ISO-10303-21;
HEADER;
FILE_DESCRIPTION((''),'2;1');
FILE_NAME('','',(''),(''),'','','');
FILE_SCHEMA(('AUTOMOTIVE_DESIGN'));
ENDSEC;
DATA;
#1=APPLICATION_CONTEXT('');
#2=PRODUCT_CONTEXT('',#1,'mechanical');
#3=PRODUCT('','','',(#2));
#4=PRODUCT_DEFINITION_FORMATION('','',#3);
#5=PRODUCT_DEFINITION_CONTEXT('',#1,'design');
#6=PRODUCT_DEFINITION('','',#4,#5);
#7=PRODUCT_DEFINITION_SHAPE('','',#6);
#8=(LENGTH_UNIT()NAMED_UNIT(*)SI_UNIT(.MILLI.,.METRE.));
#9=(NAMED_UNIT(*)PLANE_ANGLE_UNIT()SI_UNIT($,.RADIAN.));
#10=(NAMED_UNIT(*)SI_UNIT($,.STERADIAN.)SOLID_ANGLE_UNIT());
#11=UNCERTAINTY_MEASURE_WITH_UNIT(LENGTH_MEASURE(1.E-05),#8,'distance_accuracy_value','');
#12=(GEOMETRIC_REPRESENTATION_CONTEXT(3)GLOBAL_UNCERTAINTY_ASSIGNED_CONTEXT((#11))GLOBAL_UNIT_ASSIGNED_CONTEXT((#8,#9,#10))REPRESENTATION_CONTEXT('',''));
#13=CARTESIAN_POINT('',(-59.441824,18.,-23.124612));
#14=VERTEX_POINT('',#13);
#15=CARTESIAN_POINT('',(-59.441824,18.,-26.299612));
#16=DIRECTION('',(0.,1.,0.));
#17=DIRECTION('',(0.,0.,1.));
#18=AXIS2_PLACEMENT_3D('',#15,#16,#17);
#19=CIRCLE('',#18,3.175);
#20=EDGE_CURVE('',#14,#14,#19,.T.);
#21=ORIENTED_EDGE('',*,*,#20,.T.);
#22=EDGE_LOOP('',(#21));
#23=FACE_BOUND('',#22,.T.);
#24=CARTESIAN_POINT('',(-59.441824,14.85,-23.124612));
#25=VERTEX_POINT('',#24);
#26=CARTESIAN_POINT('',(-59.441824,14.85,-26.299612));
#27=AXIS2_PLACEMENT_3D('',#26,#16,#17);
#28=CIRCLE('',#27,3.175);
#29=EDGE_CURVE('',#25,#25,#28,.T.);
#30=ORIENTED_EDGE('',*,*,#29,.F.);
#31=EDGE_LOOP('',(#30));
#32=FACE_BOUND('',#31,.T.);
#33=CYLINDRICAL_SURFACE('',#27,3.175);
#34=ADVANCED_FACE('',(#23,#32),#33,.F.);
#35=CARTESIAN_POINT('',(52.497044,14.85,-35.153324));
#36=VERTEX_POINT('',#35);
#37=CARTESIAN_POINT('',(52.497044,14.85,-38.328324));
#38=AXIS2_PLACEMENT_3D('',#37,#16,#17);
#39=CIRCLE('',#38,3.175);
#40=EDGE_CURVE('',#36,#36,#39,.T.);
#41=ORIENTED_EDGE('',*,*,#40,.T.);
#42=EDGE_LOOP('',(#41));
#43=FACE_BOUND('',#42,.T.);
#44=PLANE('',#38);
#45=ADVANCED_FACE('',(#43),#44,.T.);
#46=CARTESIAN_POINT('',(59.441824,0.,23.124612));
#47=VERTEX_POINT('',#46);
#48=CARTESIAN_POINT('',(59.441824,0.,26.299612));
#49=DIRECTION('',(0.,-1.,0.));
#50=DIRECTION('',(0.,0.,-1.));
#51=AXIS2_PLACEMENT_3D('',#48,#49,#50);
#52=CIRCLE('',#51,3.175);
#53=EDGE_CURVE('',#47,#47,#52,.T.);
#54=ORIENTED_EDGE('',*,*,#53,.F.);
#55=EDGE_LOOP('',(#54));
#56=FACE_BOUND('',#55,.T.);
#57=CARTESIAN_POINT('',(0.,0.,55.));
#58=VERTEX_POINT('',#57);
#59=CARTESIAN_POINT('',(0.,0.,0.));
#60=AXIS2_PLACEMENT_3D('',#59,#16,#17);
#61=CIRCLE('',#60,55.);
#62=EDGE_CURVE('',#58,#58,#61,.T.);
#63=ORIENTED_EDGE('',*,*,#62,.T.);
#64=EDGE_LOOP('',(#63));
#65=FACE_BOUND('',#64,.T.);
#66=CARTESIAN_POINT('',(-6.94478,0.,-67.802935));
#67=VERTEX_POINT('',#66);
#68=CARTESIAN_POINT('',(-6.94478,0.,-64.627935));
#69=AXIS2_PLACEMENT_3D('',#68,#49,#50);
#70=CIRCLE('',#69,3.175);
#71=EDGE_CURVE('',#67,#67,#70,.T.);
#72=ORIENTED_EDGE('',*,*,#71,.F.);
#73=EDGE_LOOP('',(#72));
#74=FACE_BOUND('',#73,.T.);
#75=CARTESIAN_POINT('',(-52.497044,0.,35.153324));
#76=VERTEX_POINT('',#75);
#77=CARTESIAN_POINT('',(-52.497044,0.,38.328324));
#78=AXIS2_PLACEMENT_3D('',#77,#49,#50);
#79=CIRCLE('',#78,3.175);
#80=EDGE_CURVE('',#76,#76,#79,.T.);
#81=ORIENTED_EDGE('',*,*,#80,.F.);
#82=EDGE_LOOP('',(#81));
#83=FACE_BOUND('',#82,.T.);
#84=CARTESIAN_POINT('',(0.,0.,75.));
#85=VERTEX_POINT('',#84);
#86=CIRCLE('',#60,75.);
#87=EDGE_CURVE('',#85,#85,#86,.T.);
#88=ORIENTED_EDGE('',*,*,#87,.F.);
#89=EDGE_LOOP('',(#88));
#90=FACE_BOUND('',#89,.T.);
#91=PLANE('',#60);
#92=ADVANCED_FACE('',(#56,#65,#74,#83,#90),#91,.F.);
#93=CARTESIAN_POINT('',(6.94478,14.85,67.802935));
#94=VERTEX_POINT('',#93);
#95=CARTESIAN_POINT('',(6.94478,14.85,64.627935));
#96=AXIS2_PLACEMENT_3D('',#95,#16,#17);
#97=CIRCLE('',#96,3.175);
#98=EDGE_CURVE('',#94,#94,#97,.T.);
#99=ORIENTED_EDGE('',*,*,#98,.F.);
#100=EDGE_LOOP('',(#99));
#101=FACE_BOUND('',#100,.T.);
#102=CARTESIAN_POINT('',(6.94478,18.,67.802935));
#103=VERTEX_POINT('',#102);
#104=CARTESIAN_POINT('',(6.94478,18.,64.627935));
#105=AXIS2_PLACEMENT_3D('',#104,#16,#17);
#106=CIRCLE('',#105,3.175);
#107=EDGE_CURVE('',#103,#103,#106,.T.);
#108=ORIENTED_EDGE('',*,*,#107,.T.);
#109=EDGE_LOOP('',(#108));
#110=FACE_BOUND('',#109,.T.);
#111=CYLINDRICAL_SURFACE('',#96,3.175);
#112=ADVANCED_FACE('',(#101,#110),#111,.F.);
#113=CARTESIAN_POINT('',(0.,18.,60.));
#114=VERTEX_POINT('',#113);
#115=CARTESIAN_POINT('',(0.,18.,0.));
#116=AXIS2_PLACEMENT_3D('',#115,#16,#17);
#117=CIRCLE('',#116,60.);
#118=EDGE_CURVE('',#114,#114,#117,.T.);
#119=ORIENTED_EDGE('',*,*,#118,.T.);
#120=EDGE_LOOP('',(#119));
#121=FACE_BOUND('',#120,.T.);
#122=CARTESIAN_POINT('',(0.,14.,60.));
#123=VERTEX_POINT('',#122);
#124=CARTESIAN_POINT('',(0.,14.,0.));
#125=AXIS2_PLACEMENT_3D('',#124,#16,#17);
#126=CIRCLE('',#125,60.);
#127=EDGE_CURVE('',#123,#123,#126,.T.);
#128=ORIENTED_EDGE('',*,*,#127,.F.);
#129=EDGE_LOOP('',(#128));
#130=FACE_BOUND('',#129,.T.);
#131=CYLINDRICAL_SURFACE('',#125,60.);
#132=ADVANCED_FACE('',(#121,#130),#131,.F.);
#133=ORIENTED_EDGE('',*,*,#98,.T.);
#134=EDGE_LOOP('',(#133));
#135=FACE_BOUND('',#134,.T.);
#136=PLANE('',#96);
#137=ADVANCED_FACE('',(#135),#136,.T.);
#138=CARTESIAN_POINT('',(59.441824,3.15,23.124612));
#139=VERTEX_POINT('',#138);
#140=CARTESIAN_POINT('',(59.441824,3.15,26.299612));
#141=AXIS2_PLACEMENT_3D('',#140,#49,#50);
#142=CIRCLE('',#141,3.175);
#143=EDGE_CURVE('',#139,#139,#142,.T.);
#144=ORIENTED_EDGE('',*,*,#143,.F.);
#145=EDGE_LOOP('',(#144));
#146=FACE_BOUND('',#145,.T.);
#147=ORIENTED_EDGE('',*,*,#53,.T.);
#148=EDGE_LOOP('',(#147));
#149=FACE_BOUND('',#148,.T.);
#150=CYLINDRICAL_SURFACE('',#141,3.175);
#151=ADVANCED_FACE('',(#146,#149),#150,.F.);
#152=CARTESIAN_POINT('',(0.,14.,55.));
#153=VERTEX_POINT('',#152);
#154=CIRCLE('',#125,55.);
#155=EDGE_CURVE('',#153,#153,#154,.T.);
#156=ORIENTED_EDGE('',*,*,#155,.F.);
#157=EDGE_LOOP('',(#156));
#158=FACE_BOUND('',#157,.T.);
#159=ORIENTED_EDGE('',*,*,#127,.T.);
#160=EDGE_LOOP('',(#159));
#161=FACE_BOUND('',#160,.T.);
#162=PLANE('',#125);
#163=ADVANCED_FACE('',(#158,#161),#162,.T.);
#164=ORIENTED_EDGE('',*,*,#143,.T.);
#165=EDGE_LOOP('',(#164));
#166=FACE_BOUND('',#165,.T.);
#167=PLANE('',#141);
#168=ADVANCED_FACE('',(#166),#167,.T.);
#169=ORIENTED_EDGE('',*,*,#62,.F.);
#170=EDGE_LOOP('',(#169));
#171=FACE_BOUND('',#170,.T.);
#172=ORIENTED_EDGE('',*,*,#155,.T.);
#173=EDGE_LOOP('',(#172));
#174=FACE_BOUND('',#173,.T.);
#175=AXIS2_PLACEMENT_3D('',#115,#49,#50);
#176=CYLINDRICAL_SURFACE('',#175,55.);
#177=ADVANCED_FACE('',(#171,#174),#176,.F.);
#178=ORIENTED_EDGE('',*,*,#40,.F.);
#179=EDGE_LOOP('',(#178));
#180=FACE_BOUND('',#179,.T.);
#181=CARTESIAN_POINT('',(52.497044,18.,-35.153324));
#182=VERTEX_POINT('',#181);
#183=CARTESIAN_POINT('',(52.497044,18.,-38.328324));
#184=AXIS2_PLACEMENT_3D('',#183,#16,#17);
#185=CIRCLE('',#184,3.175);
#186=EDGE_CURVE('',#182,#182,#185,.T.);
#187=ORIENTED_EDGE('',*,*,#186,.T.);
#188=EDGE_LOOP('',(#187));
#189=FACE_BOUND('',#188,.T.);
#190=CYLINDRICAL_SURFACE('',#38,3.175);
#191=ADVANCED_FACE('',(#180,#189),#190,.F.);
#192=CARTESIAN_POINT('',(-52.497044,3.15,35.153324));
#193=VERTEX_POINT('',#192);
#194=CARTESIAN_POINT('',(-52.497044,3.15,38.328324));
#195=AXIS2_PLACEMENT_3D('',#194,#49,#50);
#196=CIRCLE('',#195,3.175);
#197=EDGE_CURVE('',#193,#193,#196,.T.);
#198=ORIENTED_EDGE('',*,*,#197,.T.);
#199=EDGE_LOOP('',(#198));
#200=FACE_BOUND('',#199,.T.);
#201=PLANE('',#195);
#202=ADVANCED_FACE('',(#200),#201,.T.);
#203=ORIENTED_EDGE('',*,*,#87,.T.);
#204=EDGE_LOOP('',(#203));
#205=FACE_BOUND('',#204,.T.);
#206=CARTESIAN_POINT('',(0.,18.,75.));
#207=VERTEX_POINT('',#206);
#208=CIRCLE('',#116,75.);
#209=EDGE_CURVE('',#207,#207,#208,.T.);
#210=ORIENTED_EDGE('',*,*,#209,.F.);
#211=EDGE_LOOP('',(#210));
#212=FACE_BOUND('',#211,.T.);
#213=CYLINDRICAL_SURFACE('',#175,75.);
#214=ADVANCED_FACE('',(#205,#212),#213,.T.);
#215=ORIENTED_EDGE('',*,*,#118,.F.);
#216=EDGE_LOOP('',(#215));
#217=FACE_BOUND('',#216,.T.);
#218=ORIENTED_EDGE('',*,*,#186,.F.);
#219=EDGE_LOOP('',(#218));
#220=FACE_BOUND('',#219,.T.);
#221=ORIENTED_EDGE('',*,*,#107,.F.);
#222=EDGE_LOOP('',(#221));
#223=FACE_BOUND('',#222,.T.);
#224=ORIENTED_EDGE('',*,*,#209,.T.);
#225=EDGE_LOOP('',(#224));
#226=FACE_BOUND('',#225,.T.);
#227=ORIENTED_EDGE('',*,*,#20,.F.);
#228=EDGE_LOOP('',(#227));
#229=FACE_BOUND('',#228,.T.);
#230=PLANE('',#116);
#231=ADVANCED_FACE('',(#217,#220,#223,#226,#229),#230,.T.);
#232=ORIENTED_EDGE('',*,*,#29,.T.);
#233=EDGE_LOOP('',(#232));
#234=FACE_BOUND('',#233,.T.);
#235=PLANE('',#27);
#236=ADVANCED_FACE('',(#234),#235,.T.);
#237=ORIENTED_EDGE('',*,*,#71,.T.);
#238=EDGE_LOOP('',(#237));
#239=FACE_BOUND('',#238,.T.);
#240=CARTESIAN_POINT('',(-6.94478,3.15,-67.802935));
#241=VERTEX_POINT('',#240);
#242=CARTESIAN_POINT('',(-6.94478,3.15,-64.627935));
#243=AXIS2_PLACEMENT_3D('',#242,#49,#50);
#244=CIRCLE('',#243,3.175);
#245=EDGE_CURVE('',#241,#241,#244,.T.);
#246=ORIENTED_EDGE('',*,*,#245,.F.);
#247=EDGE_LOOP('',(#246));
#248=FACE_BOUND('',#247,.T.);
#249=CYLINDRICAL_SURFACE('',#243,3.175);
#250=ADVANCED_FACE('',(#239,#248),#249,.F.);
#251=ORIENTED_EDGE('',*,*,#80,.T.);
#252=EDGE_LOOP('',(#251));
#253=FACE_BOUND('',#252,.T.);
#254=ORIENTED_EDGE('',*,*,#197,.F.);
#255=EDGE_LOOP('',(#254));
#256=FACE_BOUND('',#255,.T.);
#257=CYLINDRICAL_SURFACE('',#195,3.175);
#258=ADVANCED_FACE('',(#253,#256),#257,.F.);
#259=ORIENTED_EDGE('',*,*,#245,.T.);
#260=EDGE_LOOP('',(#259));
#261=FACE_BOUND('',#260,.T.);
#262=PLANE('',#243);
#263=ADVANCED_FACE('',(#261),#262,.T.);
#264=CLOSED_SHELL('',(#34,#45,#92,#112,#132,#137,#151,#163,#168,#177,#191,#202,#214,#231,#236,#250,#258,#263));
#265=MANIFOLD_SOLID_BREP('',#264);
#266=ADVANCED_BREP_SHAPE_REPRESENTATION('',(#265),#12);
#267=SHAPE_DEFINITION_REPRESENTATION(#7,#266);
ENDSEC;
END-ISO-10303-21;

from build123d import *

# Parameters (mm, degrees)
ESQUISSE1_R             = 75
ESQUISSE1_R_2           = 55
BOSS_EXTRU_3_DEPTH      = 18
ESQUISSE6_R             = 60
ESQUISSE6_R_2           = 55
ENL_V_MAT_EXTRU_2_DEPTH = 4
ESQUISSE5_R             = 3.175
ENL_V_MAT_EXTRU_1_DEPTH = 3.15
ESQUISSE9_R             = 3.175
ENL_V_MAT_EXTRU_3_DEPTH = 3.15


with BuildPart() as part:
    # Esquisse1 → Boss.-Extru.3 (new body)
    with BuildSketch(Plane(origin=(0, 0, 0), x_dir=(1, 0, 0), z_dir=(0, 1, 0))):
        with Locations(Location((0, 0, 0), (0, 0, 270))):  # turned: the seam where the file's is
            Circle(ESQUISSE1_R)
        with Locations(Location((0, 0, 0), (0, 0, 270))):  # turned: the seam where the file's is
            Circle(ESQUISSE1_R_2, mode=Mode.SUBTRACT)
    extrude(amount=BOSS_EXTRU_3_DEPTH)

    # Esquisse6 → Enlèv. mat.-Extru.2 (cut)
    with BuildSketch(Plane(origin=(0, 18, 0), x_dir=(1, 0, 0), z_dir=(0, 1, 0))):
        with Locations(Location((0, 0, 0), (0, 0, 270))):  # turned: the seam where the file's is
            Circle(ESQUISSE6_R)
        with Locations(Location((0, 0, 0), (0, 0, 270))):  # turned: the seam where the file's is
            Circle(ESQUISSE6_R_2, mode=Mode.SUBTRACT)
    extrude(amount=-ENL_V_MAT_EXTRU_2_DEPTH, mode=Mode.SUBTRACT)

    # Esquisse5 → Enlèv. mat.-Extru.1 (cut)
    with BuildSketch(Plane(origin=(0, 18, 0), x_dir=(1, 0, 0), z_dir=(0, 1, 0))):
        with Locations(Location((-59.441823855, 26.299611723, 0), (0, 0, 270))):  # turned: the seam where the file's is
            Circle(ESQUISSE5_R)
        with Locations(Location((52.497043789, 38.328323645, 0), (0, 0, 270))):  # turned: the seam where the file's is
            Circle(ESQUISSE5_R)
        with Locations(Location((6.944780066, -64.627935367, 0), (0, 0, 270))):  # turned: the seam where the file's is
            Circle(ESQUISSE5_R)
    extrude(amount=-ENL_V_MAT_EXTRU_1_DEPTH, mode=Mode.SUBTRACT)

    # Esquisse9 → Enlèv. mat.-Extru.3 (cut)
    with BuildSketch(Plane.XZ):
        with Locations(Location((59.441823855, 26.299611723, 0), (0, 0, 270))):  # turned: the seam where the file's is
            Circle(ESQUISSE9_R)
        with Locations(Location((-6.944780066, -64.627935367, 0), (0, 0, 270))):  # turned: the seam where the file's is
            Circle(ESQUISSE9_R)
        with Locations(Location((-52.497043789, 38.328323645, 0), (0, 0, 270))):  # turned: the seam where the file's is
            Circle(ESQUISSE9_R)
    extrude(amount=-ENL_V_MAT_EXTRU_3_DEPTH, mode=Mode.SUBTRACT)


solid = part.part
